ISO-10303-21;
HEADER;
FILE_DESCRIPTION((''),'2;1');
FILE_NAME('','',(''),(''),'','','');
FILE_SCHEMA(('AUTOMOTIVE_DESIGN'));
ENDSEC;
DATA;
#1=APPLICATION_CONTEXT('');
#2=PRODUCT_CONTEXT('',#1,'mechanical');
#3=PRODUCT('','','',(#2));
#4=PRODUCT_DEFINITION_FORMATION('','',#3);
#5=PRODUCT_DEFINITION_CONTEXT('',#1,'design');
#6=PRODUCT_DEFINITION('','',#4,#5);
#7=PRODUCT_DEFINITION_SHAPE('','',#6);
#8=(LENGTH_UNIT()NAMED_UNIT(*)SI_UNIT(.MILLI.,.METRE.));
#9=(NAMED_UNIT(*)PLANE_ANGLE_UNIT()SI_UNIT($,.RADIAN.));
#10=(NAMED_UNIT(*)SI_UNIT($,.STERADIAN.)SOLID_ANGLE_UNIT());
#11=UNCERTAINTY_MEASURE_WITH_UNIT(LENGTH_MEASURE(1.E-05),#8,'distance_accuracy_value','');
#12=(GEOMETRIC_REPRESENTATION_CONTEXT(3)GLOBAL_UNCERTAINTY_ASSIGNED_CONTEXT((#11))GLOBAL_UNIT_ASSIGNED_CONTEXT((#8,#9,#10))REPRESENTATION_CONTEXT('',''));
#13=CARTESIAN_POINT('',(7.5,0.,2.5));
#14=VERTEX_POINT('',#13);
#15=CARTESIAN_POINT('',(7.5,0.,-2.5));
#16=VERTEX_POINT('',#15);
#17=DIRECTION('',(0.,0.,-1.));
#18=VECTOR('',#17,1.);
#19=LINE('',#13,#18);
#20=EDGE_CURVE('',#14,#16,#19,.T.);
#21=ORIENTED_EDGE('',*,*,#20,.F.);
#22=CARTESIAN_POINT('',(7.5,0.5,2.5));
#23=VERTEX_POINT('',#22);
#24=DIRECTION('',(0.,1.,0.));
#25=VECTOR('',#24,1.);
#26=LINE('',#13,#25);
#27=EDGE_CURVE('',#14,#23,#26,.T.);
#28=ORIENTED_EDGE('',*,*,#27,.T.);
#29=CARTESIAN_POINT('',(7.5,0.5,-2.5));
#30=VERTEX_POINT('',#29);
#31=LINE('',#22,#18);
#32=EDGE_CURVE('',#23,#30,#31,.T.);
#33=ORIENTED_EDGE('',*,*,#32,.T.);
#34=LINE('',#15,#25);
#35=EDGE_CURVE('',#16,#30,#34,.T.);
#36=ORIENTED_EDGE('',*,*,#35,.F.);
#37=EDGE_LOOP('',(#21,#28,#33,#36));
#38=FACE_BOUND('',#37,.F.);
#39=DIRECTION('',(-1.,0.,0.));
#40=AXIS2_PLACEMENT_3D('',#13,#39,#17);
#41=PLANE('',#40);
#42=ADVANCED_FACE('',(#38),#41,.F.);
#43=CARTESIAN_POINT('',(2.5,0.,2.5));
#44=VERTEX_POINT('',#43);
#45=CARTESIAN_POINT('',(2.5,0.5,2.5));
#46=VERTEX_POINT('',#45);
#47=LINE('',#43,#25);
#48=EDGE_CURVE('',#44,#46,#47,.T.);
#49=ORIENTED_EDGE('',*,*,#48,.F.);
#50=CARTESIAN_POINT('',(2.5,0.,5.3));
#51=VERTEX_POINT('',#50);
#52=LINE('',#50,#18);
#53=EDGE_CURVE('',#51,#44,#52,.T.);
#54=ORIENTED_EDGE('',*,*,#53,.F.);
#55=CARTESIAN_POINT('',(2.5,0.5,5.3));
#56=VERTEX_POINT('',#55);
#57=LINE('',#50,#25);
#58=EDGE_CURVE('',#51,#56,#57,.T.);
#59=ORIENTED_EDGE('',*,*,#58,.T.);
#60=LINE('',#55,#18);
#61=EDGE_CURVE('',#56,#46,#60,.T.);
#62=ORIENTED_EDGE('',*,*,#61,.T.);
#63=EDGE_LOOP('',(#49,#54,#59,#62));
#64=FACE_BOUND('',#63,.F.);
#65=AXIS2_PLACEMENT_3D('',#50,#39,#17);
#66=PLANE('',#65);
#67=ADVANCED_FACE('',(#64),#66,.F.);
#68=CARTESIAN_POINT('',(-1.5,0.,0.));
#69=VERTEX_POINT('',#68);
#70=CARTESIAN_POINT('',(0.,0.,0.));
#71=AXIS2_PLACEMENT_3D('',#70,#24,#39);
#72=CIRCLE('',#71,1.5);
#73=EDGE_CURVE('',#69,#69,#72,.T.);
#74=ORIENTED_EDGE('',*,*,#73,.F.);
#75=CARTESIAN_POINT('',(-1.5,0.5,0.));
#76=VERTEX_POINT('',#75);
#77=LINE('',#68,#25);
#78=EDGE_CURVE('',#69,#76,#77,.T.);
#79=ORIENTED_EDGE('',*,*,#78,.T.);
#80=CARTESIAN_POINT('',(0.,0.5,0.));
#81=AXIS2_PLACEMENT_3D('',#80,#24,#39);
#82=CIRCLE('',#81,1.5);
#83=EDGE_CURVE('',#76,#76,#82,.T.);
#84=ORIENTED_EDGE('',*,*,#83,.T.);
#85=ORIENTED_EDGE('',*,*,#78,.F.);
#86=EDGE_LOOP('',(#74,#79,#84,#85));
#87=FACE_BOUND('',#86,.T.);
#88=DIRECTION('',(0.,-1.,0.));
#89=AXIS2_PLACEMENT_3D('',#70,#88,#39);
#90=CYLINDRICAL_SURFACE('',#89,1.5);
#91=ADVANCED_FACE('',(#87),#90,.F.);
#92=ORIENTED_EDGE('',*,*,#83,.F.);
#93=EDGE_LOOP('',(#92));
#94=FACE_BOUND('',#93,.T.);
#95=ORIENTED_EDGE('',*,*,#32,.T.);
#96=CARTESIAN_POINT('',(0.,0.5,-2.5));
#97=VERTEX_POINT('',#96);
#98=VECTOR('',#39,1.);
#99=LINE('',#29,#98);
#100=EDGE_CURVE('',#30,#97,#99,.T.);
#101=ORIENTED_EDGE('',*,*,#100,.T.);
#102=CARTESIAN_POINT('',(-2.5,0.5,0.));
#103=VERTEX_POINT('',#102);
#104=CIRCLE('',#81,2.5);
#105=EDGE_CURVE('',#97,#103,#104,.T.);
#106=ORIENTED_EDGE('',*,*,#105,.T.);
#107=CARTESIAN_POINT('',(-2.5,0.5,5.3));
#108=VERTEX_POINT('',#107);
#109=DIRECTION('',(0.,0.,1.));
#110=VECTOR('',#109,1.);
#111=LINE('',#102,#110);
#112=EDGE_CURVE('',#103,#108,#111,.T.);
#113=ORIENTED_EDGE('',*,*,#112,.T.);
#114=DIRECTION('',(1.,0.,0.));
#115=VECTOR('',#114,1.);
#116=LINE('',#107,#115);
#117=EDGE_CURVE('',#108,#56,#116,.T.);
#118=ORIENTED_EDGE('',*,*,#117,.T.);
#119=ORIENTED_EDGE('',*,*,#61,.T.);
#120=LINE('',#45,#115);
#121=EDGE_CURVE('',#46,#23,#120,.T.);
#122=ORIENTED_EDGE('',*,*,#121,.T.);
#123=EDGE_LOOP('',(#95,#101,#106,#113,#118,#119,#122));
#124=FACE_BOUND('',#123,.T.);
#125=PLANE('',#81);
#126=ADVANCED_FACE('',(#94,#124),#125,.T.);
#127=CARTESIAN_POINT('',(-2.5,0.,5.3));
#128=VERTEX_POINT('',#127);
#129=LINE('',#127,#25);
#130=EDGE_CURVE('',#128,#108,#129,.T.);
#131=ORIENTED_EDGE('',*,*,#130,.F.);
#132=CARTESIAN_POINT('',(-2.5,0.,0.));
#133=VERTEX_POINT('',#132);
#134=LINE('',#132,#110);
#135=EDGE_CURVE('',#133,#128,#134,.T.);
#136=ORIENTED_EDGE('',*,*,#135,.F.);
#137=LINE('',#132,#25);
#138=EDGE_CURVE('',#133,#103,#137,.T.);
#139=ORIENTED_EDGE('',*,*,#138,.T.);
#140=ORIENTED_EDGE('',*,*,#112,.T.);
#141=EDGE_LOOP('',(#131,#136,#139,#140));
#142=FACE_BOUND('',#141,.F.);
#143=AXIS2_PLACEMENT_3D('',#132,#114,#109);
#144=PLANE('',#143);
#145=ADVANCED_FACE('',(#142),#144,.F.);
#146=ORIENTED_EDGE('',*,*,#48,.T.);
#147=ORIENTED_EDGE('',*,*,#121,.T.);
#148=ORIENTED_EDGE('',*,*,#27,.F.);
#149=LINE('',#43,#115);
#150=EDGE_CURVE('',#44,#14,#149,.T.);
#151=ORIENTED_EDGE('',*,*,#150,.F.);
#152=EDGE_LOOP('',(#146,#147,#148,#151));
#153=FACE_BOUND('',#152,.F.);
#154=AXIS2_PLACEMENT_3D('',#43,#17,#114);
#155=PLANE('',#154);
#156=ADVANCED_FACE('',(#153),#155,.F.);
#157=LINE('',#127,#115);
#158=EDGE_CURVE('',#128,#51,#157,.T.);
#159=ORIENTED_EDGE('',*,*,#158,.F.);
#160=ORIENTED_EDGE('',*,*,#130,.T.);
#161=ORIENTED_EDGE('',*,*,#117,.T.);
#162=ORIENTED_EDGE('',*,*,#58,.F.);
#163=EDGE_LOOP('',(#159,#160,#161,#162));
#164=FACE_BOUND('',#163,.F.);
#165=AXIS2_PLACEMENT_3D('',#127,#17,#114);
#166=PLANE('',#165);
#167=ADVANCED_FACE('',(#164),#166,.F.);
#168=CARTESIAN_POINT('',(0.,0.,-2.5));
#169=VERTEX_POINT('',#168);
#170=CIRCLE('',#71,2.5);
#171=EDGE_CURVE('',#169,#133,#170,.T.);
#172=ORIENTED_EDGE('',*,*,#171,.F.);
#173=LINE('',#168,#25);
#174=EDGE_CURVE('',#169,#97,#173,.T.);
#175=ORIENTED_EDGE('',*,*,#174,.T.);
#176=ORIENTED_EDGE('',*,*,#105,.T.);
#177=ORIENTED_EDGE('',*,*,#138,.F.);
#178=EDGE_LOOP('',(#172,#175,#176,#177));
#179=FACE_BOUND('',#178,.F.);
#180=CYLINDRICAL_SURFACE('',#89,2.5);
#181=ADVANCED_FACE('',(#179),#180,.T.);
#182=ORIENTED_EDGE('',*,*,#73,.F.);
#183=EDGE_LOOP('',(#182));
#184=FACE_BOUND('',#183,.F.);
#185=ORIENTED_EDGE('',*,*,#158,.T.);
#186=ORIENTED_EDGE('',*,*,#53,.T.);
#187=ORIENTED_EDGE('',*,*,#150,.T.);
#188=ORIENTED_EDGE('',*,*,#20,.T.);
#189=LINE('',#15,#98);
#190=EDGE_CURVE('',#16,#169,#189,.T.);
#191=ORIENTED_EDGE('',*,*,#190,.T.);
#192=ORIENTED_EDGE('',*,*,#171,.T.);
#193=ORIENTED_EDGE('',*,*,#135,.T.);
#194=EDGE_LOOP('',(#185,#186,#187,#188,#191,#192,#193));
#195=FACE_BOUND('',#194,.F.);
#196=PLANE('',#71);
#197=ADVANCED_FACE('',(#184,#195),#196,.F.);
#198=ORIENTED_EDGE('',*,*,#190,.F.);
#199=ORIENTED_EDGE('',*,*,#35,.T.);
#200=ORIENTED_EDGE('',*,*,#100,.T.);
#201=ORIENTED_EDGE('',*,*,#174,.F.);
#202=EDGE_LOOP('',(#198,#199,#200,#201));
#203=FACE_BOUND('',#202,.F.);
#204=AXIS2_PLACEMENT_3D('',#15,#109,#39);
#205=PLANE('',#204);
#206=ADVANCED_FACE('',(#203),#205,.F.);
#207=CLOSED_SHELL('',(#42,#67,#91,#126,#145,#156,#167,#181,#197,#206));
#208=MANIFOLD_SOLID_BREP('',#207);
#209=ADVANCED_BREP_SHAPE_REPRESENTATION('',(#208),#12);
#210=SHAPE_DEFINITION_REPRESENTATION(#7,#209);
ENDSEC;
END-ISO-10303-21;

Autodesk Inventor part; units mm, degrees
ref_plane "YZ Plane" through (0, 0, 0) normal (1, 0, 0) x (0, 1, 0)
ref_plane "XZ Plane" through (0, 0, 0) normal (0, 1, 0) x (-1, 0, 0)
ref_plane "XY Plane" through (0, 0, 0) normal (0, 0, 1) x (1, 0, 0)
sketch "Sketch1" plane through (0, 0, 0) normal (0, 1, 0) x (-1, 0, 0)
  circle A0 centre (0, 0) radius 1.5
  circle A1 centre (0, 0) radius 2.5
  line L0 (2.5, 0) -> (2.5, 5.3)
  line L1 (2.5, 5.3) -> (-2.5, 5.3)
  line L2 (-2.5, 5.3) -> (-2.5, 2.5)
  line L3 (-2.5, 2.5) -> (-7.5, 2.5)
  line L4 (-7.5, 2.5) -> (-7.5, -2.5)
  line L5 (-7.5, -2.5) -> (0, -2.5)
  dimension "d0" = 3
  dimension "d1" = 5
  dimension "d2" = 7.5
  dimension "d3" = 5.3
extrude "Extrusion1" add sketch "Sketch1" along normal blind 0.5
properties part number "apeature aligner mount"
